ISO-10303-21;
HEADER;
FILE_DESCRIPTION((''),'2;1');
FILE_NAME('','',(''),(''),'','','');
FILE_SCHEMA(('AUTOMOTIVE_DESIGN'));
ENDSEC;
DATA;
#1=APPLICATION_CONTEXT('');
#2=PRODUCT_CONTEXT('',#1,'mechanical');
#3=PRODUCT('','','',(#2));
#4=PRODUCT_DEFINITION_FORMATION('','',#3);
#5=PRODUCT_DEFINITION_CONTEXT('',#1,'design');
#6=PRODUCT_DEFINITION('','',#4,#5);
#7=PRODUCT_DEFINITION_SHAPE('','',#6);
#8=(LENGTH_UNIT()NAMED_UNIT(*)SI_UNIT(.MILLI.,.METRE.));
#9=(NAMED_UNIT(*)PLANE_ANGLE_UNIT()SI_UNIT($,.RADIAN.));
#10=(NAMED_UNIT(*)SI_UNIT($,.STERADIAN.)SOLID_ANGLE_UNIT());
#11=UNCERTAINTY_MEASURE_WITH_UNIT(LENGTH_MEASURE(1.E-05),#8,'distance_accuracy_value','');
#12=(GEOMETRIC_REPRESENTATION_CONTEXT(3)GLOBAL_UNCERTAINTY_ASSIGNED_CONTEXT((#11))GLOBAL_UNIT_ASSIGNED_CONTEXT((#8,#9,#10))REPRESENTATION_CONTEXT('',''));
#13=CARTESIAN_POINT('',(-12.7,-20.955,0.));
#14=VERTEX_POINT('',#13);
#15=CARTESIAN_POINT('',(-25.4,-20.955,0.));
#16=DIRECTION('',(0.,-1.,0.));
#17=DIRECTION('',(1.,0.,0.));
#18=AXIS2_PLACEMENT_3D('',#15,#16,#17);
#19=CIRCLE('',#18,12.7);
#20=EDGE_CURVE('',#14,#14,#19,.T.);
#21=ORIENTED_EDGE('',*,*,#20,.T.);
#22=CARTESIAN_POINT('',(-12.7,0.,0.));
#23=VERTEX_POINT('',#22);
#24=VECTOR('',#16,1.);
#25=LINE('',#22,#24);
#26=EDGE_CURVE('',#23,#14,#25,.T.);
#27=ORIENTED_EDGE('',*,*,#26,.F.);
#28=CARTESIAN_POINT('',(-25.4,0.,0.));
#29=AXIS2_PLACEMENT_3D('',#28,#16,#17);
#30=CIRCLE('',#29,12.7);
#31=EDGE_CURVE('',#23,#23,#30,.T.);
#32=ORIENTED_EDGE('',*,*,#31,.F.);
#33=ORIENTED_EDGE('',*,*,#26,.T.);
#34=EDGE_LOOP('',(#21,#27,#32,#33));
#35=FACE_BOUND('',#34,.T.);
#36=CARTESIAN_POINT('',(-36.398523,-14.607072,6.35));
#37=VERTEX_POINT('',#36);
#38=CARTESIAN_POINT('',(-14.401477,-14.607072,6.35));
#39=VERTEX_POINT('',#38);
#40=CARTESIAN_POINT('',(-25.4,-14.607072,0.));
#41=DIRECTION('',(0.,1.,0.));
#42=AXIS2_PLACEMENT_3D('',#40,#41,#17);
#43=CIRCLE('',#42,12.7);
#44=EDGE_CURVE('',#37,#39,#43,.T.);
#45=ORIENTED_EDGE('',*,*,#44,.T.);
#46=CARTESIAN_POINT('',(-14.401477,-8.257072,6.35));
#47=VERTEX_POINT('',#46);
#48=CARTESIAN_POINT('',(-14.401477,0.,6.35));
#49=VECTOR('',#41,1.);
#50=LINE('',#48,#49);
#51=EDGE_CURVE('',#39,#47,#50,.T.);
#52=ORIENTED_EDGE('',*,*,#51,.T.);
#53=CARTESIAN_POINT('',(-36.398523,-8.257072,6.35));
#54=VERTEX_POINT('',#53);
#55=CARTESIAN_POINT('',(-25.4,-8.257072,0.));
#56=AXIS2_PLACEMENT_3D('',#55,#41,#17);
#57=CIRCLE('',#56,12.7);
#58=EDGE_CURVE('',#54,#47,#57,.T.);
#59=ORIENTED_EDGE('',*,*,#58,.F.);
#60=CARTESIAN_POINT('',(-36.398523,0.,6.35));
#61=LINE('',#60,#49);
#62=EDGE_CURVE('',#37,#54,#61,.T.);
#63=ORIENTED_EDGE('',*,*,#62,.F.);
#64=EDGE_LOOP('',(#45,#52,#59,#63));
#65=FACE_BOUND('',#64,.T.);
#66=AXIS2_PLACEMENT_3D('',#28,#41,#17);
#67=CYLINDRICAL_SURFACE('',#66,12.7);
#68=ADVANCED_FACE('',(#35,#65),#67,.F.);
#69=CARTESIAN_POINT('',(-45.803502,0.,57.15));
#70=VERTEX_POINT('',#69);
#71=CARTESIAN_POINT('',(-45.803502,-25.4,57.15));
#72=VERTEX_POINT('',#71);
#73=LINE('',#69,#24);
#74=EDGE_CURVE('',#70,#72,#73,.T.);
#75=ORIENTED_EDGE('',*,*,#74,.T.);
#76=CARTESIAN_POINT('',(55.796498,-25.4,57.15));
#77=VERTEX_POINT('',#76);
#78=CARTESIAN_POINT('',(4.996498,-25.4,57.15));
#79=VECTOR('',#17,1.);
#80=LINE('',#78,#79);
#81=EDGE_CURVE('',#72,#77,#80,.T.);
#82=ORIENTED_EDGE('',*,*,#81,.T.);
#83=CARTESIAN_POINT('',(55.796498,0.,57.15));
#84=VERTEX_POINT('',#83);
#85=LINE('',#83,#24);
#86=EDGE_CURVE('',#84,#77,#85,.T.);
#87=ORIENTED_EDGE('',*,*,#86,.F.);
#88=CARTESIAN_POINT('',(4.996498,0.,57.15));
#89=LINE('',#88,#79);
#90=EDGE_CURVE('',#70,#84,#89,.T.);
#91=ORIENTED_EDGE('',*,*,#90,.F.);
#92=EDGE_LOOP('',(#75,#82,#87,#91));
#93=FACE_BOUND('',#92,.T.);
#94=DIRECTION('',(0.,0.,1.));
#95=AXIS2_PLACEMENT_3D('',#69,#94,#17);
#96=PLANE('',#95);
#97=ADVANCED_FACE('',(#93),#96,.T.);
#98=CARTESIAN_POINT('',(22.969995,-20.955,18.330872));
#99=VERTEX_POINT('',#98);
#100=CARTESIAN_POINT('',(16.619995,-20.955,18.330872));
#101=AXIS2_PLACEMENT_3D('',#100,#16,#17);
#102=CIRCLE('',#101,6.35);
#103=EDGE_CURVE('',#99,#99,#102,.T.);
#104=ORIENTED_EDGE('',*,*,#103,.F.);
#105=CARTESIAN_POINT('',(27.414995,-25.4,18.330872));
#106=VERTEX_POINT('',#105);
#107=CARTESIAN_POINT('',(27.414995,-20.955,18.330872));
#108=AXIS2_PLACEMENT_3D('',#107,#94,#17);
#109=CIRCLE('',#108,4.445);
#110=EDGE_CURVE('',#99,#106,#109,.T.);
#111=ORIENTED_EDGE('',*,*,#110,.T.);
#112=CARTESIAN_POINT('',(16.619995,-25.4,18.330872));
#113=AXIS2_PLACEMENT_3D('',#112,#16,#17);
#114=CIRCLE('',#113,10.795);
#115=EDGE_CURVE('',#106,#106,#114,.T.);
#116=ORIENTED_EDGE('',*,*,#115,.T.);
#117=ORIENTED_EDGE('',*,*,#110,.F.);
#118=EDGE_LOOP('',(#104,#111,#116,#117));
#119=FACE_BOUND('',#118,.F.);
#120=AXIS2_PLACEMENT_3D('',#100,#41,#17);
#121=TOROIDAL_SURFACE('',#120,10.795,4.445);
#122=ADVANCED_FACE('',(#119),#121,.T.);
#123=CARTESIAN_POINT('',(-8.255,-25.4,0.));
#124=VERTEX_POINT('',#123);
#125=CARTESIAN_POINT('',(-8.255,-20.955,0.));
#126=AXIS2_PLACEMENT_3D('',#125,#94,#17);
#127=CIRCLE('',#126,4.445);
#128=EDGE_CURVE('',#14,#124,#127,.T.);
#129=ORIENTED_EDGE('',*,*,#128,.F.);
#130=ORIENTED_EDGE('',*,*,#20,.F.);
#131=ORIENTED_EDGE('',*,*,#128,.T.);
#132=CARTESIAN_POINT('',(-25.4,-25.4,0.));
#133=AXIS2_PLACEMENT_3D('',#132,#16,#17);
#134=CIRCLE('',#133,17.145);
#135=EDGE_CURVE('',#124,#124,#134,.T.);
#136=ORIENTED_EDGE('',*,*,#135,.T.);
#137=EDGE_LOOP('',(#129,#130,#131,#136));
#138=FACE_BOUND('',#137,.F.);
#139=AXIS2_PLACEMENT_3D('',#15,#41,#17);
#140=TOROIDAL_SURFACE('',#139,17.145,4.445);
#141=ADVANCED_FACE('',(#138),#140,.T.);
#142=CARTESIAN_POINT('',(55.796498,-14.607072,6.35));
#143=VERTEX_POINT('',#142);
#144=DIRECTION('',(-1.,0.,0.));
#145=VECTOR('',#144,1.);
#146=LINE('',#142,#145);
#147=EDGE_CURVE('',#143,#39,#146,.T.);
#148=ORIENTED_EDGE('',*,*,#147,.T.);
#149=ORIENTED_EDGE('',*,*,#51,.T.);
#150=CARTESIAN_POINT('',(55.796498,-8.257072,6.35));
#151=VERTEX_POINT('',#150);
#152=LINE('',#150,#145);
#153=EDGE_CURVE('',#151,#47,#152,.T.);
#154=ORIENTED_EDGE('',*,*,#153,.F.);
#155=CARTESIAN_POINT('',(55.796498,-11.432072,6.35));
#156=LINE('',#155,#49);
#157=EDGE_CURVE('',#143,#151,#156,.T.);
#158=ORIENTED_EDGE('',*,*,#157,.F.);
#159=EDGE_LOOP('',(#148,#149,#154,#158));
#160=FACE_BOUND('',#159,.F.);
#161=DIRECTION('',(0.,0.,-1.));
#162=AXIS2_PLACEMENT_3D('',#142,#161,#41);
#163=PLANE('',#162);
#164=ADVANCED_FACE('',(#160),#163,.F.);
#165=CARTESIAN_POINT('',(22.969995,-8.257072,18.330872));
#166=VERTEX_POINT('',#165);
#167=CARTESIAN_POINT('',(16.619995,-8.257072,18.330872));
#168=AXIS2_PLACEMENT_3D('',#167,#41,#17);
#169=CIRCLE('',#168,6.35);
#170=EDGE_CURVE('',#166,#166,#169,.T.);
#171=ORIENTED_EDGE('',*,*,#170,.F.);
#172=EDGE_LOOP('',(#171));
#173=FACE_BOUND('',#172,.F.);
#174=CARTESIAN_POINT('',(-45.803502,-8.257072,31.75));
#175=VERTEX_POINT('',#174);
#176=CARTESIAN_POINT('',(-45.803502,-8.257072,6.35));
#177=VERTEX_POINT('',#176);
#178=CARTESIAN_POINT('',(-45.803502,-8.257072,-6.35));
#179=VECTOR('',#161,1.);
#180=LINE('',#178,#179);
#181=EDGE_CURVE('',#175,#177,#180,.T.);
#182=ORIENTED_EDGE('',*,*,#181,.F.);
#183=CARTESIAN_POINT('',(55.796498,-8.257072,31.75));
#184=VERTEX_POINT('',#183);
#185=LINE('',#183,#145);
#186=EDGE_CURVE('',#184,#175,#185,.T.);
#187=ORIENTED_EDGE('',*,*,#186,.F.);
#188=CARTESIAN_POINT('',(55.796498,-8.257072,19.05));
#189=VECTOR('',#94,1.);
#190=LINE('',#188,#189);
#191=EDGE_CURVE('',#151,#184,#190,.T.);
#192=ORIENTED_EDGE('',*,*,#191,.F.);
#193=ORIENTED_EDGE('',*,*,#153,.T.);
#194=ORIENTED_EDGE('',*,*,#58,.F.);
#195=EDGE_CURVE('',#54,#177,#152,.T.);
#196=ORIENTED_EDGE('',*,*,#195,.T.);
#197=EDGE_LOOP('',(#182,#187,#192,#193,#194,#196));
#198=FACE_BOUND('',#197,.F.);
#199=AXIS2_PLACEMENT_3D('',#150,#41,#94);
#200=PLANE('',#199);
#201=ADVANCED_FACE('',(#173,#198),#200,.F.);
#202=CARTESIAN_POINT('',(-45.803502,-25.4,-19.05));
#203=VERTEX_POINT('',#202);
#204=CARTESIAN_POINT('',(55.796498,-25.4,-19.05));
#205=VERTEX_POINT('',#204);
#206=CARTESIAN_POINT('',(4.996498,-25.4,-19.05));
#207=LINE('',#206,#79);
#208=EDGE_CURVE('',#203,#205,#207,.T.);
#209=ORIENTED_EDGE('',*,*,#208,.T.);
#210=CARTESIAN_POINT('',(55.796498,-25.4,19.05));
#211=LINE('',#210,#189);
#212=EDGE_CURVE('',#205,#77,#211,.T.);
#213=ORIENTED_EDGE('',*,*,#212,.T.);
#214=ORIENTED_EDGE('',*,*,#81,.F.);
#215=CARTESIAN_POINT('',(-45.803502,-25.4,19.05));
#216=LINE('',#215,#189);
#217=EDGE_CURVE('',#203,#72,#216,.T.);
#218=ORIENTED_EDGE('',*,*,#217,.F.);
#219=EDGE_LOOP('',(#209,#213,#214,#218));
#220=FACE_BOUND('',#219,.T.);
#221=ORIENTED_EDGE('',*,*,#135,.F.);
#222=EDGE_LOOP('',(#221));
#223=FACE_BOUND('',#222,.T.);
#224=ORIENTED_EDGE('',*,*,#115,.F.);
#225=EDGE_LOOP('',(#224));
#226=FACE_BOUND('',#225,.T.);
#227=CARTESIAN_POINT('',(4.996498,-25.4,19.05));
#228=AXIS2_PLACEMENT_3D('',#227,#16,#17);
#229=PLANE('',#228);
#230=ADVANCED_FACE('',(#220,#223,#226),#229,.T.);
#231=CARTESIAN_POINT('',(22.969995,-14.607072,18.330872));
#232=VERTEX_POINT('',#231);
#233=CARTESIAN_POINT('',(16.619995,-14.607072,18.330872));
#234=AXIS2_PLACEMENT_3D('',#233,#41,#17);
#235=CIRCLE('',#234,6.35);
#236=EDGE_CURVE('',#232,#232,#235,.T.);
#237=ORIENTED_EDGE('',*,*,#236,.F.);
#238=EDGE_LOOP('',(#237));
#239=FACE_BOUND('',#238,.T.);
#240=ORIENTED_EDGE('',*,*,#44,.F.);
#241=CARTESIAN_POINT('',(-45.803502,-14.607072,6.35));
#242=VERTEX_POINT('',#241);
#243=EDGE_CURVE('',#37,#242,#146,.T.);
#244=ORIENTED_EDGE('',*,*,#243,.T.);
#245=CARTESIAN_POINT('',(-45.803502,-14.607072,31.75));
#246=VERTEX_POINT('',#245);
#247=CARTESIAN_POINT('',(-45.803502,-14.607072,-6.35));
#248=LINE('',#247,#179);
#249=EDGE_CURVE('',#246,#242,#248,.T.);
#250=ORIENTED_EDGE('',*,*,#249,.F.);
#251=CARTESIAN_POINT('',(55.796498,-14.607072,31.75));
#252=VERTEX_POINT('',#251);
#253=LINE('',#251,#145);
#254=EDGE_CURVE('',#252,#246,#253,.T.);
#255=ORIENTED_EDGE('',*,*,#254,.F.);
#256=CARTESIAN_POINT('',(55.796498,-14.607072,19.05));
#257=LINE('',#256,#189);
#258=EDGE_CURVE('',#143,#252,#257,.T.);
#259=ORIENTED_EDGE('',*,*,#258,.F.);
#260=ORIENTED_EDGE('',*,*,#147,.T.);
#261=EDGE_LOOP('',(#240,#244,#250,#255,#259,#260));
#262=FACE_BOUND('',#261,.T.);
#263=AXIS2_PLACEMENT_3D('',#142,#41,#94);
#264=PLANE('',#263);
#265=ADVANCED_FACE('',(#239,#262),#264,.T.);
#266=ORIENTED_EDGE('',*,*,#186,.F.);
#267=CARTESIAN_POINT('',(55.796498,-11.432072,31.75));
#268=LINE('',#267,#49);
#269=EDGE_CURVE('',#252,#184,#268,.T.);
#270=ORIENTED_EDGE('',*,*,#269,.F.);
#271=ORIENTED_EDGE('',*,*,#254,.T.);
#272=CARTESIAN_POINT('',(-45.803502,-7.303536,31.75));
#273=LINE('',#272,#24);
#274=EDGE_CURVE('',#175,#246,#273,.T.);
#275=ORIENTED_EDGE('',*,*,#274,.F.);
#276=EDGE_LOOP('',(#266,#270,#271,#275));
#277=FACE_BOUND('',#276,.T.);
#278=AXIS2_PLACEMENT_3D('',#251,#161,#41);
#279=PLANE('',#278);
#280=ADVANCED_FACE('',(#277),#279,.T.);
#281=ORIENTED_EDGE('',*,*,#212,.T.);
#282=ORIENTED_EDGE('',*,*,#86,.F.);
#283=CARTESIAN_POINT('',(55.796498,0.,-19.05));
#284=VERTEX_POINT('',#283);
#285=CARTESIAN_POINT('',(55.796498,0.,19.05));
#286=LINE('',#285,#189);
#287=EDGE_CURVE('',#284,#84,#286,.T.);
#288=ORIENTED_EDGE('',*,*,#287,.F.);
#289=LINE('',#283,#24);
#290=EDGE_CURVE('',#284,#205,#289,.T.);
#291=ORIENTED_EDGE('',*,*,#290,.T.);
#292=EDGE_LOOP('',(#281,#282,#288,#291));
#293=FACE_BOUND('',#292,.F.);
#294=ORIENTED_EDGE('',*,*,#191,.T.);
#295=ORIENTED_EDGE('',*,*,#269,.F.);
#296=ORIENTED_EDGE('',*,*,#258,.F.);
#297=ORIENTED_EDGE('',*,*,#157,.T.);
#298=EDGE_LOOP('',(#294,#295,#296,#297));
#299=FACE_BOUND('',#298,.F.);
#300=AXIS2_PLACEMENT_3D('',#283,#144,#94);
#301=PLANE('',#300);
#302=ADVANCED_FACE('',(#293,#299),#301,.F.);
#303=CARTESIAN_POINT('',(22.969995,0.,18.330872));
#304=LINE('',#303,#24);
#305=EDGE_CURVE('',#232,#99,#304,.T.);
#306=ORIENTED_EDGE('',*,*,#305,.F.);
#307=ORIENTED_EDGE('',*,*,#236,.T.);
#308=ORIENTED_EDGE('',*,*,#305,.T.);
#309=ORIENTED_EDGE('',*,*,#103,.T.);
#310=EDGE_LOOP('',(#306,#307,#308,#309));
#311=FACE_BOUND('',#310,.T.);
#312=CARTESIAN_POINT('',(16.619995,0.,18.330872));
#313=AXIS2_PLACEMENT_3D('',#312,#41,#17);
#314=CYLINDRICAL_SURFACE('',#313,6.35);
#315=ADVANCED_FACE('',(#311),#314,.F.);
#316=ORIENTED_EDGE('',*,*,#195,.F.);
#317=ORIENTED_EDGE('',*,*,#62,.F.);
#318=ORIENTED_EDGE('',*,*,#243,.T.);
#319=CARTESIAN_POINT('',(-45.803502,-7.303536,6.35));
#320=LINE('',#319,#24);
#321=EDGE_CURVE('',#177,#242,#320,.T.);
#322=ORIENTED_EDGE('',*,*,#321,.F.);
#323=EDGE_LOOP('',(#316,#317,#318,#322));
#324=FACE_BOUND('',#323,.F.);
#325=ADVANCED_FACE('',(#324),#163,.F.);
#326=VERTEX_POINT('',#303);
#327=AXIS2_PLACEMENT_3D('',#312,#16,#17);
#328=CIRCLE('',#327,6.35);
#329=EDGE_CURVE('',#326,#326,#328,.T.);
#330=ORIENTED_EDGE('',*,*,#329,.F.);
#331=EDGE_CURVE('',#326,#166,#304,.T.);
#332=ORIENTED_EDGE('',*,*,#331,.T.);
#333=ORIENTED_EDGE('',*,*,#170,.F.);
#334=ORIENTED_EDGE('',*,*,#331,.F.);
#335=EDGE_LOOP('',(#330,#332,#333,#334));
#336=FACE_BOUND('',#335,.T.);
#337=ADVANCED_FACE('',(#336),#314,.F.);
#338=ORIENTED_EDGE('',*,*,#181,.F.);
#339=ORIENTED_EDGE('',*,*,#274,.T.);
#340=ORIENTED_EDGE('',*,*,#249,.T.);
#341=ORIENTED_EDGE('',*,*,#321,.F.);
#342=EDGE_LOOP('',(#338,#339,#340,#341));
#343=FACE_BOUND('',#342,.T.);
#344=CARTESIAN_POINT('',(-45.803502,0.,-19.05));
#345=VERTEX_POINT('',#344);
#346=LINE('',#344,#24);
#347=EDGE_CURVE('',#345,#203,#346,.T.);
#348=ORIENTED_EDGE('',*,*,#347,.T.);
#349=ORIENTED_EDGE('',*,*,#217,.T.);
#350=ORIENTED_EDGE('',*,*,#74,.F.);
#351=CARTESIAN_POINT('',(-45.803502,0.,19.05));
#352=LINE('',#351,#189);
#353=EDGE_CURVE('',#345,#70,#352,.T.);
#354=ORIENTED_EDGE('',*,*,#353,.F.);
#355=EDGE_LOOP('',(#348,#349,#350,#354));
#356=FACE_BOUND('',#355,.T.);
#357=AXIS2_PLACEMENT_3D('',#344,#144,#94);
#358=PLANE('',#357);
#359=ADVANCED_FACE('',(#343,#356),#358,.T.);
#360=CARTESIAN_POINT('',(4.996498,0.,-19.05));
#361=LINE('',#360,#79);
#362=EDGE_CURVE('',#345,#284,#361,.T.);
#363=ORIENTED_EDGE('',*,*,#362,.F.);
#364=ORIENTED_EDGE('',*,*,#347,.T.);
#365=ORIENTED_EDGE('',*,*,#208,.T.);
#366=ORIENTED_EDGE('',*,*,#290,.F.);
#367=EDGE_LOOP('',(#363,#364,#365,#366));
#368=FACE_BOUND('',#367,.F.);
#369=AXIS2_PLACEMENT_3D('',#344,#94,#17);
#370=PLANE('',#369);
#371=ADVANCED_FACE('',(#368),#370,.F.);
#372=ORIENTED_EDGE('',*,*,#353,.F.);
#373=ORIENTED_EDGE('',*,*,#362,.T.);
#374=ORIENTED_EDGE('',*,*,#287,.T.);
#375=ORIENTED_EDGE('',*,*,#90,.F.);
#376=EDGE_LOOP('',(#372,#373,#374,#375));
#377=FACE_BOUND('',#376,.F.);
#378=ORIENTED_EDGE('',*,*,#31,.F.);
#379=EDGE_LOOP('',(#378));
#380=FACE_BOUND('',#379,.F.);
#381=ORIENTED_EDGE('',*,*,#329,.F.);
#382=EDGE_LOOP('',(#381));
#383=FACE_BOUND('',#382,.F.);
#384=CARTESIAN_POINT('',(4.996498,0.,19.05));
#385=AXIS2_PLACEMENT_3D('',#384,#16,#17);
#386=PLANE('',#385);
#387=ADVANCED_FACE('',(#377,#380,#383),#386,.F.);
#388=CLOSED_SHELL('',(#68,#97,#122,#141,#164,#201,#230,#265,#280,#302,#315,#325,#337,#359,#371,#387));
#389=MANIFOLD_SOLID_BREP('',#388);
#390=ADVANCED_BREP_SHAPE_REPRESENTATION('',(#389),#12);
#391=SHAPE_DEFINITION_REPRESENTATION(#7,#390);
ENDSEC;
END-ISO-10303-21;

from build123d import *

# Parameters (mm, degrees)
F0_W     = 101.6
F0_H     = 76.2
F0_R     = 12.7
F0_R_2   = 6.35
F1_DEPTH = 25.4
F2_R     = 4.445
F3_W     = 6.35
F3_H     = 25.4
F4_DEPTH = 101.601


with BuildPart() as f1:
    # F0 (on Front) → F1 (new body)
    with BuildSketch(Plane.XZ):
        with Locations((4.996498, 19.05)):
            Rectangle(F0_W, F0_H)
        with Locations((-25.4, 0)):
            Circle(F0_R, mode=Mode.SUBTRACT)
        with Locations((16.619995, 18.330872)):
            Circle(F0_R_2, mode=Mode.SUBTRACT)
    extrude(amount=F1_DEPTH)

    # F2
    f2_edges = [f1.edges().sort_by_distance(p)[0] for p in [
        (-38.1, -25.4, 0),
        (10.269995, -25.4, 18.330872),
    ]]
    fillet(f2_edges, radius=F2_R)

    # F3 (on face) → F4 (cut, through all)
    with BuildSketch(Plane.YZ.offset(55.796498)):
        with Locations((-11.432072, 19.05)):
            Rectangle(F3_W, F3_H)
    extrude(amount=-F4_DEPTH, mode=Mode.SUBTRACT)


solid = f1.part
